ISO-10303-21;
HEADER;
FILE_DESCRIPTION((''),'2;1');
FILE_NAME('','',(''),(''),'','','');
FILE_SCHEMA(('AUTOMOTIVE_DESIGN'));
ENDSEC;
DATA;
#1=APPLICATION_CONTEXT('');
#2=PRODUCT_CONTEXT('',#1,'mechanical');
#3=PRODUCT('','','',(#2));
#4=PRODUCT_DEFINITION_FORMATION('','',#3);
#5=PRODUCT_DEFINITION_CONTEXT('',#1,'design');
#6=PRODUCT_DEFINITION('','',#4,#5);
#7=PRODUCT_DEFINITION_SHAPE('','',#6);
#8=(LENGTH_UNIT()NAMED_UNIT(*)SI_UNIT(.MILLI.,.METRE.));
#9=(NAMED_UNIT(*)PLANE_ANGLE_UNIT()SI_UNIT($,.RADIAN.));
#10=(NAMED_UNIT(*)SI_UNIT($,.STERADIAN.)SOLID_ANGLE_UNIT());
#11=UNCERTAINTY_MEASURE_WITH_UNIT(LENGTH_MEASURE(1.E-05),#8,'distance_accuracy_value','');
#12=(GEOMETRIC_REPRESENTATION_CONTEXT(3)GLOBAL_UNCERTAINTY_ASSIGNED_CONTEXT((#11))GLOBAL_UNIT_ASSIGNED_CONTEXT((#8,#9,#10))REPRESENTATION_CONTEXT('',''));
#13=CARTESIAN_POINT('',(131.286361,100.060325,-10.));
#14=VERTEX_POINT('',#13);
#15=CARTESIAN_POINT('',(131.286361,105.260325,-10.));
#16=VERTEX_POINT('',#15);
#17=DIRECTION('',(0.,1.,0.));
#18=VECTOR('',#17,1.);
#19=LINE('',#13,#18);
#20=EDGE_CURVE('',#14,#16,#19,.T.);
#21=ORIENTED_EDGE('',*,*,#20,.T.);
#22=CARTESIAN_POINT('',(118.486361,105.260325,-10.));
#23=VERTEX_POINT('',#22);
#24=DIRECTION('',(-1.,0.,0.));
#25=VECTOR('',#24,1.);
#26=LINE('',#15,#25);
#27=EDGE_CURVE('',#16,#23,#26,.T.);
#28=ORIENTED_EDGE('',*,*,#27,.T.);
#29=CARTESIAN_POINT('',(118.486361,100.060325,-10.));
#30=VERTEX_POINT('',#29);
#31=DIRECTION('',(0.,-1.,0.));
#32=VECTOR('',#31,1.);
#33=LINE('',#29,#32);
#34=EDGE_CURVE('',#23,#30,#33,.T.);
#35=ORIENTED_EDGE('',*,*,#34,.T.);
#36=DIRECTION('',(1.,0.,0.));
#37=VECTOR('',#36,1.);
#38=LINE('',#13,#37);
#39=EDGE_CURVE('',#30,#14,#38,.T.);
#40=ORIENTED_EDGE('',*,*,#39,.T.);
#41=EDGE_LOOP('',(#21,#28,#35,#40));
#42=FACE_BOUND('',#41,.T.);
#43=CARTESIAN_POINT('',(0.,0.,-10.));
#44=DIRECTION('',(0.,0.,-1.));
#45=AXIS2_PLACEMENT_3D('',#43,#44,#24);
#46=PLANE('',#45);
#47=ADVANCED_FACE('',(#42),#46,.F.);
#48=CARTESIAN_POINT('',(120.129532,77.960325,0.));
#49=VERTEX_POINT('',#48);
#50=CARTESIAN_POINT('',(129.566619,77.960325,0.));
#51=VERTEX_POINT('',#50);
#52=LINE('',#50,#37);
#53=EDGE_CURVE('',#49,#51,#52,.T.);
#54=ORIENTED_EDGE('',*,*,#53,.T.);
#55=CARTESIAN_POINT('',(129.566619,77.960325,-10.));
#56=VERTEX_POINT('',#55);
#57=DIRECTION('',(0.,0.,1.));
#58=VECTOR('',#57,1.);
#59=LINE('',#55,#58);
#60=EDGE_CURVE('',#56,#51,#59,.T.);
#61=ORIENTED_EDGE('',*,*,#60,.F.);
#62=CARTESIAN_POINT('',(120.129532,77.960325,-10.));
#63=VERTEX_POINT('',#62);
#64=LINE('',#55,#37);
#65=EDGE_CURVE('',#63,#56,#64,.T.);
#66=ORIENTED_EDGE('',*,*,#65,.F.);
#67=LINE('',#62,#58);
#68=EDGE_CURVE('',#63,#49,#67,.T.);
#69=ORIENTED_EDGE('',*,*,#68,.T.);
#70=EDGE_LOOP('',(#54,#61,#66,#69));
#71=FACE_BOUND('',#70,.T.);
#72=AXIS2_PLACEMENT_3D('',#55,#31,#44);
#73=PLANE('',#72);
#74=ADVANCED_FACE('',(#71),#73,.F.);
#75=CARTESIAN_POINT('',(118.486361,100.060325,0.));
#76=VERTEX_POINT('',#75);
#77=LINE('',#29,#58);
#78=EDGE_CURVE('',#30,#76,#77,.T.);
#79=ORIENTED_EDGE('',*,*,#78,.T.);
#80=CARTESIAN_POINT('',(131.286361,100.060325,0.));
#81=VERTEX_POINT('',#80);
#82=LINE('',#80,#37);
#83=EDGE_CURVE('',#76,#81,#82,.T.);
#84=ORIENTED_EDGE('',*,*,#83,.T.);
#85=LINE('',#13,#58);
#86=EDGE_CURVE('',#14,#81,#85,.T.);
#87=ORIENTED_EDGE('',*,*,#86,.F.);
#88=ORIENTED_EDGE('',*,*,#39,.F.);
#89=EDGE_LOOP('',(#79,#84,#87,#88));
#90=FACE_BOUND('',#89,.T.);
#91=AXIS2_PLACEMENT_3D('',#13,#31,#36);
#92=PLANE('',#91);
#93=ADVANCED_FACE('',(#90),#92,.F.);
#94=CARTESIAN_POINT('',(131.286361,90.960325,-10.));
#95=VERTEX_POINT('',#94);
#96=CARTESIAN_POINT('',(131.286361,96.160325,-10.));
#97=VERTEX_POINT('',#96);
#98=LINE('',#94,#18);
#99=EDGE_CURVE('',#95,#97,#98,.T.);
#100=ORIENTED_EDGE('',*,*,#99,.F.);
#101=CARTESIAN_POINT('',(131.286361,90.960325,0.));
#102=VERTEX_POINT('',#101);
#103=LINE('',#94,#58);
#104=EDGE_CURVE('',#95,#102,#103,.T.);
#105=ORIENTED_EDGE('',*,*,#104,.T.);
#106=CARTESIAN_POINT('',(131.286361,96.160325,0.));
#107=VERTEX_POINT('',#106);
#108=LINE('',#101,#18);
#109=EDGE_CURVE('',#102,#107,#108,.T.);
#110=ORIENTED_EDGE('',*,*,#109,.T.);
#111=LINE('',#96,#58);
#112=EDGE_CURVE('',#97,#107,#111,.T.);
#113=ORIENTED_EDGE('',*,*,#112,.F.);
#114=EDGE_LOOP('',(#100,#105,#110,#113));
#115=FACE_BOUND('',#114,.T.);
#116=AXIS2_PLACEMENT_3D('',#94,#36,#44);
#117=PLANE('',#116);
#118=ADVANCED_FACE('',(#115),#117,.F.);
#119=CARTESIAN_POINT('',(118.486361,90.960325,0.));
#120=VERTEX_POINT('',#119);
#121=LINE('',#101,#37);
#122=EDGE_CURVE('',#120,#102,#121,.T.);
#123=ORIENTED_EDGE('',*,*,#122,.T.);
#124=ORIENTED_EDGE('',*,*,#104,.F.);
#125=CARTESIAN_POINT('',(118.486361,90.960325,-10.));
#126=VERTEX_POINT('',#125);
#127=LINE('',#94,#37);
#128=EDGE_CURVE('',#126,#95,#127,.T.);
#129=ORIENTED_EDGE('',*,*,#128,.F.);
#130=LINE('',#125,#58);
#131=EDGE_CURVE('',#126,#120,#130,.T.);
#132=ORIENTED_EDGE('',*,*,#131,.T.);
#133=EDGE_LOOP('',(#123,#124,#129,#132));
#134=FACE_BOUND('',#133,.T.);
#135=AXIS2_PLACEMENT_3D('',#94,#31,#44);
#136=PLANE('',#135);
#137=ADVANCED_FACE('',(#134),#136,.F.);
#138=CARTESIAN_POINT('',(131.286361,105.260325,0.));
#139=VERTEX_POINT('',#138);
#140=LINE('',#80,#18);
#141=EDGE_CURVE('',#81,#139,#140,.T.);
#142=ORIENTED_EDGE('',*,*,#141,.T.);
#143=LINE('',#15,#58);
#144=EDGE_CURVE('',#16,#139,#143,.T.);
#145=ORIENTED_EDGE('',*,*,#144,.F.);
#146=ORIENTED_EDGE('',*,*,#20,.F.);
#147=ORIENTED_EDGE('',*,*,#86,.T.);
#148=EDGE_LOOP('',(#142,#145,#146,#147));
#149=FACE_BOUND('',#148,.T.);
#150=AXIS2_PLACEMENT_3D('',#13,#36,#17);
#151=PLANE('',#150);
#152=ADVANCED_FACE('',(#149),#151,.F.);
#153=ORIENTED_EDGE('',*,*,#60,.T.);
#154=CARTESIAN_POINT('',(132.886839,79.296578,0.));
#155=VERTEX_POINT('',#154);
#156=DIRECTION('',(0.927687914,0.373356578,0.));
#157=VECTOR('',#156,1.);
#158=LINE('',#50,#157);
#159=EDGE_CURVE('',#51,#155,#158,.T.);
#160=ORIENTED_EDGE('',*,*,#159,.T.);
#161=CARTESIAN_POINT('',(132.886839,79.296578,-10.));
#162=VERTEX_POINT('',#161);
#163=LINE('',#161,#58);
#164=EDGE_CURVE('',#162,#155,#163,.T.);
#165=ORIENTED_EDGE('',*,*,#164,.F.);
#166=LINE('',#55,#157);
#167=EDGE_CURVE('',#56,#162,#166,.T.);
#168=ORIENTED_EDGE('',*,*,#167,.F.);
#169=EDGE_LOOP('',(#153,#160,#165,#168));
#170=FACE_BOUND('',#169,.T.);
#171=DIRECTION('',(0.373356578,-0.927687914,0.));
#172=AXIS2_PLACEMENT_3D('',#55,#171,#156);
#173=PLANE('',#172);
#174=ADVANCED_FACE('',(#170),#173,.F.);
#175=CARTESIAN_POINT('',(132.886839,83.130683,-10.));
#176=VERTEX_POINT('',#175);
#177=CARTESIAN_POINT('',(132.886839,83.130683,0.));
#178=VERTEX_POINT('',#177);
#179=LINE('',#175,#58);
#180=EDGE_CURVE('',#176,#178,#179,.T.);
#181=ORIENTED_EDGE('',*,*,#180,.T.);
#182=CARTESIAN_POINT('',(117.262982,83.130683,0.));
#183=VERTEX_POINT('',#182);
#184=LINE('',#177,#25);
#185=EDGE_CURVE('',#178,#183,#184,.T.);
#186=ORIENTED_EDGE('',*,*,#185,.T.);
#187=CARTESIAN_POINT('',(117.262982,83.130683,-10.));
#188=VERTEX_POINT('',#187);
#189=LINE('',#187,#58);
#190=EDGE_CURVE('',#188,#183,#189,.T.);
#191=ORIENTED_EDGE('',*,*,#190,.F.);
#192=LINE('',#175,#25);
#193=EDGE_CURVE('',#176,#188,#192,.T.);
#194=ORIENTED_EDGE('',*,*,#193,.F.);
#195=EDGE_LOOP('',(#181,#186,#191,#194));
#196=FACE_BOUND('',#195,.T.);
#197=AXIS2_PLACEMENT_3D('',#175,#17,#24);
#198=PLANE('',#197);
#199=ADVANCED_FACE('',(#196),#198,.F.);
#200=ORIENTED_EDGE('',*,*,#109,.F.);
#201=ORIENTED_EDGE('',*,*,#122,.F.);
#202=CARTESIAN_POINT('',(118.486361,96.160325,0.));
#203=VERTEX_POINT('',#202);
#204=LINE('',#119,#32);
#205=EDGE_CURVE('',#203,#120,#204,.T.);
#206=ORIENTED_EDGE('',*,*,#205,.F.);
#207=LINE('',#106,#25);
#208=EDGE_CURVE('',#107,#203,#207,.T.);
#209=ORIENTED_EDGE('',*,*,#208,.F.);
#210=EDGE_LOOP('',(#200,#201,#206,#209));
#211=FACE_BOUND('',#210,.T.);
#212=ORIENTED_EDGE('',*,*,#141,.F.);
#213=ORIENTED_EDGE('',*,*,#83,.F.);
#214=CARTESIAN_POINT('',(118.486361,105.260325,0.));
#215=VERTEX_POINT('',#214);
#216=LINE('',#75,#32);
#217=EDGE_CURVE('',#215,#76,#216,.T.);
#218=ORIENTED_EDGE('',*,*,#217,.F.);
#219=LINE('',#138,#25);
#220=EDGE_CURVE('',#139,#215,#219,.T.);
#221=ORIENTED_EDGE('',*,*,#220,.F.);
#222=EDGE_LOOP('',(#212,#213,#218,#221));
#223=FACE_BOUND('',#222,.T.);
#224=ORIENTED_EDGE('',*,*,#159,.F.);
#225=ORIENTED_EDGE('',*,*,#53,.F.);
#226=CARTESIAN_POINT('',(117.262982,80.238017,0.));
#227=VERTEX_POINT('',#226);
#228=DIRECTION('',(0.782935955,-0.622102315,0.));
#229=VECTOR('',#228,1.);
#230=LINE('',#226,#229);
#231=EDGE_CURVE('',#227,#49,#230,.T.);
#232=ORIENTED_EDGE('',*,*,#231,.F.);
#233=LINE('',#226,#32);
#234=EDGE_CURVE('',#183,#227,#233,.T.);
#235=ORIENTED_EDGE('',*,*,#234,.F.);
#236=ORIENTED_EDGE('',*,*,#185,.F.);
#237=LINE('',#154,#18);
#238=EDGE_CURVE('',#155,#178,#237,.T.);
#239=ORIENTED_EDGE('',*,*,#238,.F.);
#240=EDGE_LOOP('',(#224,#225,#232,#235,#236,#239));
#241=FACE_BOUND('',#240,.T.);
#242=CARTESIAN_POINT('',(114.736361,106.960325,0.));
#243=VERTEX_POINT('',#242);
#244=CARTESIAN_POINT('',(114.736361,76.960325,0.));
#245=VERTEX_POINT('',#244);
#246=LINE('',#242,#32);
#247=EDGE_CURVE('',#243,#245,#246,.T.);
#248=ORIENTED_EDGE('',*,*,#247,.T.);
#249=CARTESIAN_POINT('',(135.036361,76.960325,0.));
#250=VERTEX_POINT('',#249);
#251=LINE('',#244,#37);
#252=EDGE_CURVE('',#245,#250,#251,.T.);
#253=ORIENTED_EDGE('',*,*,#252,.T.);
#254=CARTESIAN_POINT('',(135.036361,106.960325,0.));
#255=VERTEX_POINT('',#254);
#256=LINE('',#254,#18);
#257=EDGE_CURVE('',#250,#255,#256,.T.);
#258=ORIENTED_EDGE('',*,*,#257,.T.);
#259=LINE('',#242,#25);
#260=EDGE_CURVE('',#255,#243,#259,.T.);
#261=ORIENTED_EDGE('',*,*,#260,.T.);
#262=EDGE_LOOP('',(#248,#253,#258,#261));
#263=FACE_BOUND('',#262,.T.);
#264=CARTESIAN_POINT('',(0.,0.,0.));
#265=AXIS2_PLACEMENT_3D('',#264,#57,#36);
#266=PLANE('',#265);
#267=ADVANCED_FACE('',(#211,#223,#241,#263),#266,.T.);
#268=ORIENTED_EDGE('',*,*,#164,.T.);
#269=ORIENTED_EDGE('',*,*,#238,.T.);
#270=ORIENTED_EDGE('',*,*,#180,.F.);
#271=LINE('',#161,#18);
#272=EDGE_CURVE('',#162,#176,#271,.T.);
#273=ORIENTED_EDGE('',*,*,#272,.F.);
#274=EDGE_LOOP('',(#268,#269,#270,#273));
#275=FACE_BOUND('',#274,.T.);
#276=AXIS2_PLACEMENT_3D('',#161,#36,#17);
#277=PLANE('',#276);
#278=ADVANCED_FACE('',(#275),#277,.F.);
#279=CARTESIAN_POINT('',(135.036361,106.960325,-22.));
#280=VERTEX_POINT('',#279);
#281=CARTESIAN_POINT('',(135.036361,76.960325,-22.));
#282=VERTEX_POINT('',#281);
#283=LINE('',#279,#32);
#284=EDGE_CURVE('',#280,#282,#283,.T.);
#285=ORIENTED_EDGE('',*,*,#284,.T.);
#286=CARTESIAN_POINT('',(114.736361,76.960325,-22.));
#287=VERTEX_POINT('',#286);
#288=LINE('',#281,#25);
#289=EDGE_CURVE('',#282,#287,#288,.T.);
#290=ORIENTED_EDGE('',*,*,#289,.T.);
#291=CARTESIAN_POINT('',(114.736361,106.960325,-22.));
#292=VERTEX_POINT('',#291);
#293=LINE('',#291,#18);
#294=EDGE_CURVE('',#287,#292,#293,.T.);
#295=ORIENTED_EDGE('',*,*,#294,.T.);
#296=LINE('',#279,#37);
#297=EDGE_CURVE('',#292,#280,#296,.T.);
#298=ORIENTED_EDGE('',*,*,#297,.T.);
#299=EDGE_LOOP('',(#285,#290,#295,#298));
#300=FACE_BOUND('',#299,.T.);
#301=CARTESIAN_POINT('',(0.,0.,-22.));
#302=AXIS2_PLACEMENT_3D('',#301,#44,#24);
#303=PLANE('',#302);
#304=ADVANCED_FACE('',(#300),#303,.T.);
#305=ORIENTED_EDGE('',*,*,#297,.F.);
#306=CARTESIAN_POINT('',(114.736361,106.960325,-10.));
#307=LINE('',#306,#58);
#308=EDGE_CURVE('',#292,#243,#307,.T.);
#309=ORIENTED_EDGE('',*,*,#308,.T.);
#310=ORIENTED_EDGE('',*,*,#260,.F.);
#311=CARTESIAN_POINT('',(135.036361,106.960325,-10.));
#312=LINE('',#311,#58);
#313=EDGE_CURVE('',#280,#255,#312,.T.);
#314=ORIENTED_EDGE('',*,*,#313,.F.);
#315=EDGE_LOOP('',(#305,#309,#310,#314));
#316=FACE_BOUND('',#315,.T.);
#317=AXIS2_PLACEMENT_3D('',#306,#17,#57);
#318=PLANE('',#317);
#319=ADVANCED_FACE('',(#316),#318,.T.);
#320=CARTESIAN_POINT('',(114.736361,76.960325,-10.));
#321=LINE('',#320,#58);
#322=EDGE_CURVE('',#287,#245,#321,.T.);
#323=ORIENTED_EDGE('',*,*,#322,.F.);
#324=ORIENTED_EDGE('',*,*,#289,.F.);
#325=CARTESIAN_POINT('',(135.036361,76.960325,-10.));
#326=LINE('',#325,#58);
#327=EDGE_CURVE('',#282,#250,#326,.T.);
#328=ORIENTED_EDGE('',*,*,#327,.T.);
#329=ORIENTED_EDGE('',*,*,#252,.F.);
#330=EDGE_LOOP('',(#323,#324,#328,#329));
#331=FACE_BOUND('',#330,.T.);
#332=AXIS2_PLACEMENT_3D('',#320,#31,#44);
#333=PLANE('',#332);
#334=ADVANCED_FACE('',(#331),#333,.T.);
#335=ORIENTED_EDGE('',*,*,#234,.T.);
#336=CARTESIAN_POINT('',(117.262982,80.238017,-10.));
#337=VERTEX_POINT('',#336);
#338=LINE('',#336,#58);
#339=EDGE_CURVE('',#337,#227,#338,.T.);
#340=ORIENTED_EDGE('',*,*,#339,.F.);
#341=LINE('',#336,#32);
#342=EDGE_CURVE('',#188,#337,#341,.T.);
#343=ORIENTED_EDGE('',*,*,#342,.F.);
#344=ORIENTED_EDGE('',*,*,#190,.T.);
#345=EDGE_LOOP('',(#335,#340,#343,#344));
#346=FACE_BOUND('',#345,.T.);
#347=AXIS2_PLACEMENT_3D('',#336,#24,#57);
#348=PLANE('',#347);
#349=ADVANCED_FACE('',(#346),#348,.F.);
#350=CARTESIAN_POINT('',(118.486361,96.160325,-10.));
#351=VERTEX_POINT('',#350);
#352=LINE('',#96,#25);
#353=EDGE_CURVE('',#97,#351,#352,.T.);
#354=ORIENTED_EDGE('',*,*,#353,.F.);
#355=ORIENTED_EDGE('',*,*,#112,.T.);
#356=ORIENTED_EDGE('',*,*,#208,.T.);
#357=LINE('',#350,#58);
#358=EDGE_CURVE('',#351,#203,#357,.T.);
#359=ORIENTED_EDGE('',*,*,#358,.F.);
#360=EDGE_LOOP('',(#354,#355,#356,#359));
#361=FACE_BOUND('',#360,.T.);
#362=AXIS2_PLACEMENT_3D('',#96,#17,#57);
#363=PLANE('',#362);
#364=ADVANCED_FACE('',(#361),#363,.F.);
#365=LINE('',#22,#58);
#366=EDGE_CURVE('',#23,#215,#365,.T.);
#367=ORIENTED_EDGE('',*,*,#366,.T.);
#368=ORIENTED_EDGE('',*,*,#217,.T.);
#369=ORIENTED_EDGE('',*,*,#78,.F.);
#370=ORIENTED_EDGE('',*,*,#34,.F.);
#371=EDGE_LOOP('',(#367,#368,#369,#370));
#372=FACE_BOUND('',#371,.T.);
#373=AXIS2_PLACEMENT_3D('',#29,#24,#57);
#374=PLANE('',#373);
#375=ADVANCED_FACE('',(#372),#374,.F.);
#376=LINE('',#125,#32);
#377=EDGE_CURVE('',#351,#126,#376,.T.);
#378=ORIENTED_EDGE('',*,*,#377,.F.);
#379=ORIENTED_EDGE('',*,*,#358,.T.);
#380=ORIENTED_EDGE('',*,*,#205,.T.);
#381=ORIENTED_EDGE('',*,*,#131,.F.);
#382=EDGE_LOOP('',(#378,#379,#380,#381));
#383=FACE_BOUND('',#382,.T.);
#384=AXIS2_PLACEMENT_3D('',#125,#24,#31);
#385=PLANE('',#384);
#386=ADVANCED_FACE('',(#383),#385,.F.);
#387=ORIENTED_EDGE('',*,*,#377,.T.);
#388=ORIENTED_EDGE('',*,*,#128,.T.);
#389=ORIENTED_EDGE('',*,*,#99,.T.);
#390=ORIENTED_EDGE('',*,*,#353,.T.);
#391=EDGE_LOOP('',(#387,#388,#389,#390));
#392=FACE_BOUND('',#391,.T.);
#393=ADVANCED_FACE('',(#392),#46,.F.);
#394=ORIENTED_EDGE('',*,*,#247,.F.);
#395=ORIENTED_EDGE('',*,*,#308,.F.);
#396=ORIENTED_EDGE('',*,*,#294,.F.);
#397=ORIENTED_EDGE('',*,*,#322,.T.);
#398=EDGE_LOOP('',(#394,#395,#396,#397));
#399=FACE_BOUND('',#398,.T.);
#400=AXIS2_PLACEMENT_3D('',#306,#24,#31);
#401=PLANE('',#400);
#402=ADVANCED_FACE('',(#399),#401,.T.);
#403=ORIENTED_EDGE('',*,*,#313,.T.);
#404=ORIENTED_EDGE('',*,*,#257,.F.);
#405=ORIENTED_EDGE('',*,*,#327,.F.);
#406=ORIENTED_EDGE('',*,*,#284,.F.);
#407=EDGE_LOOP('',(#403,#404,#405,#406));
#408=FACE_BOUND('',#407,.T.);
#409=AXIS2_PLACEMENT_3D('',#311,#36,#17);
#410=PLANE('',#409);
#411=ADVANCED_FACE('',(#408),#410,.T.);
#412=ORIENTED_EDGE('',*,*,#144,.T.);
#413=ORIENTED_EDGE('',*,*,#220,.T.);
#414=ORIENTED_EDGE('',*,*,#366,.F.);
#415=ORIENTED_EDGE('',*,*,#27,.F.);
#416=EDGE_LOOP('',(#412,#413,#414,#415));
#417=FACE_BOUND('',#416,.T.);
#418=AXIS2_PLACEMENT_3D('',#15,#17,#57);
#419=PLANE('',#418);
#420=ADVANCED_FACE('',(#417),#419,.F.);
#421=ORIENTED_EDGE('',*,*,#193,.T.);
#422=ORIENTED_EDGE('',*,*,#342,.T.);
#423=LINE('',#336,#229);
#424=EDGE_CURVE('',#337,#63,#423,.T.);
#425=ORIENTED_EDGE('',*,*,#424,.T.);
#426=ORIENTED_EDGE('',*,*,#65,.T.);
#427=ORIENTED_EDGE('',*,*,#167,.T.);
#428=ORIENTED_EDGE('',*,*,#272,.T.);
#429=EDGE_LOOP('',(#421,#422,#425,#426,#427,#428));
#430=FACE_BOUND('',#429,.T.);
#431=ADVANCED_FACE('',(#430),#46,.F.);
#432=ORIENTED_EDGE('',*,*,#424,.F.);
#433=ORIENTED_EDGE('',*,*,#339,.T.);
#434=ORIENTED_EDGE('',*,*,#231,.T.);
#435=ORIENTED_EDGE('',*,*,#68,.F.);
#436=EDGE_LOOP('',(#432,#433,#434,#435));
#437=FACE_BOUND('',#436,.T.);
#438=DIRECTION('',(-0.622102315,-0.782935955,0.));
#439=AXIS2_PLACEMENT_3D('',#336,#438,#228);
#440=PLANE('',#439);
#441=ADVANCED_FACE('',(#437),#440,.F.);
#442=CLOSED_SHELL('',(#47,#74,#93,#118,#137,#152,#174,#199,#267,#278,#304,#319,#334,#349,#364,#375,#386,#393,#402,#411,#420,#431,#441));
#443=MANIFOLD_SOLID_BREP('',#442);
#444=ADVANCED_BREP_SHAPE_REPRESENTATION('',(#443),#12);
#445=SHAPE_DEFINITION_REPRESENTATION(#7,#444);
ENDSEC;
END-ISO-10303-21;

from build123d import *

# Parameters (mm, degrees)
SKETCH_1_W      = 20.3
SKETCH_1_H      = 30
SKETCH_1_W_2    = 12.8
SKETCH_1_H_2    = 5.2
EXTRUDE_1_DEPTH = 10
SKETCH_2_W      = 20.3
SKETCH_2_H      = 30
EXTRUDE_2_DEPTH = 12


with BuildPart() as part:
    # Эскиз1 → Бобышка-Вытянуть1 (new body)
    with BuildSketch(Plane.XY):
        with Locations((124.886360731, 91.960324966)):
            Rectangle(SKETCH_1_W, SKETCH_1_H)
        with Locations((124.886360731, 93.560324966)):
            Rectangle(SKETCH_1_W_2, SKETCH_1_H_2, mode=Mode.SUBTRACT)
        with Locations((124.886360731, 102.660324966)):
            Rectangle(SKETCH_1_W_2, SKETCH_1_H_2, mode=Mode.SUBTRACT)
        Polygon((129.566618584, 77.960324966), (120.129531537, 77.960324966), (117.26298197, 80.238017172), (117.26298197, 83.13068263), (132.886839219, 83.13068263), (132.886839219, 79.296578456), align=None, mode=Mode.SUBTRACT)
    extrude(amount=-EXTRUDE_1_DEPTH)

    # Эскиз2 → Бобышка-Вытянуть2 (add)
    with BuildSketch(Plane(origin=(0, 0, -10), x_dir=(-1, 0, 0), z_dir=(0, 0, -1))):
        with Locations((-124.886360731, 91.960324966)):
            Rectangle(SKETCH_2_W, SKETCH_2_H)
    extrude(amount=EXTRUDE_2_DEPTH)


solid = part.part
